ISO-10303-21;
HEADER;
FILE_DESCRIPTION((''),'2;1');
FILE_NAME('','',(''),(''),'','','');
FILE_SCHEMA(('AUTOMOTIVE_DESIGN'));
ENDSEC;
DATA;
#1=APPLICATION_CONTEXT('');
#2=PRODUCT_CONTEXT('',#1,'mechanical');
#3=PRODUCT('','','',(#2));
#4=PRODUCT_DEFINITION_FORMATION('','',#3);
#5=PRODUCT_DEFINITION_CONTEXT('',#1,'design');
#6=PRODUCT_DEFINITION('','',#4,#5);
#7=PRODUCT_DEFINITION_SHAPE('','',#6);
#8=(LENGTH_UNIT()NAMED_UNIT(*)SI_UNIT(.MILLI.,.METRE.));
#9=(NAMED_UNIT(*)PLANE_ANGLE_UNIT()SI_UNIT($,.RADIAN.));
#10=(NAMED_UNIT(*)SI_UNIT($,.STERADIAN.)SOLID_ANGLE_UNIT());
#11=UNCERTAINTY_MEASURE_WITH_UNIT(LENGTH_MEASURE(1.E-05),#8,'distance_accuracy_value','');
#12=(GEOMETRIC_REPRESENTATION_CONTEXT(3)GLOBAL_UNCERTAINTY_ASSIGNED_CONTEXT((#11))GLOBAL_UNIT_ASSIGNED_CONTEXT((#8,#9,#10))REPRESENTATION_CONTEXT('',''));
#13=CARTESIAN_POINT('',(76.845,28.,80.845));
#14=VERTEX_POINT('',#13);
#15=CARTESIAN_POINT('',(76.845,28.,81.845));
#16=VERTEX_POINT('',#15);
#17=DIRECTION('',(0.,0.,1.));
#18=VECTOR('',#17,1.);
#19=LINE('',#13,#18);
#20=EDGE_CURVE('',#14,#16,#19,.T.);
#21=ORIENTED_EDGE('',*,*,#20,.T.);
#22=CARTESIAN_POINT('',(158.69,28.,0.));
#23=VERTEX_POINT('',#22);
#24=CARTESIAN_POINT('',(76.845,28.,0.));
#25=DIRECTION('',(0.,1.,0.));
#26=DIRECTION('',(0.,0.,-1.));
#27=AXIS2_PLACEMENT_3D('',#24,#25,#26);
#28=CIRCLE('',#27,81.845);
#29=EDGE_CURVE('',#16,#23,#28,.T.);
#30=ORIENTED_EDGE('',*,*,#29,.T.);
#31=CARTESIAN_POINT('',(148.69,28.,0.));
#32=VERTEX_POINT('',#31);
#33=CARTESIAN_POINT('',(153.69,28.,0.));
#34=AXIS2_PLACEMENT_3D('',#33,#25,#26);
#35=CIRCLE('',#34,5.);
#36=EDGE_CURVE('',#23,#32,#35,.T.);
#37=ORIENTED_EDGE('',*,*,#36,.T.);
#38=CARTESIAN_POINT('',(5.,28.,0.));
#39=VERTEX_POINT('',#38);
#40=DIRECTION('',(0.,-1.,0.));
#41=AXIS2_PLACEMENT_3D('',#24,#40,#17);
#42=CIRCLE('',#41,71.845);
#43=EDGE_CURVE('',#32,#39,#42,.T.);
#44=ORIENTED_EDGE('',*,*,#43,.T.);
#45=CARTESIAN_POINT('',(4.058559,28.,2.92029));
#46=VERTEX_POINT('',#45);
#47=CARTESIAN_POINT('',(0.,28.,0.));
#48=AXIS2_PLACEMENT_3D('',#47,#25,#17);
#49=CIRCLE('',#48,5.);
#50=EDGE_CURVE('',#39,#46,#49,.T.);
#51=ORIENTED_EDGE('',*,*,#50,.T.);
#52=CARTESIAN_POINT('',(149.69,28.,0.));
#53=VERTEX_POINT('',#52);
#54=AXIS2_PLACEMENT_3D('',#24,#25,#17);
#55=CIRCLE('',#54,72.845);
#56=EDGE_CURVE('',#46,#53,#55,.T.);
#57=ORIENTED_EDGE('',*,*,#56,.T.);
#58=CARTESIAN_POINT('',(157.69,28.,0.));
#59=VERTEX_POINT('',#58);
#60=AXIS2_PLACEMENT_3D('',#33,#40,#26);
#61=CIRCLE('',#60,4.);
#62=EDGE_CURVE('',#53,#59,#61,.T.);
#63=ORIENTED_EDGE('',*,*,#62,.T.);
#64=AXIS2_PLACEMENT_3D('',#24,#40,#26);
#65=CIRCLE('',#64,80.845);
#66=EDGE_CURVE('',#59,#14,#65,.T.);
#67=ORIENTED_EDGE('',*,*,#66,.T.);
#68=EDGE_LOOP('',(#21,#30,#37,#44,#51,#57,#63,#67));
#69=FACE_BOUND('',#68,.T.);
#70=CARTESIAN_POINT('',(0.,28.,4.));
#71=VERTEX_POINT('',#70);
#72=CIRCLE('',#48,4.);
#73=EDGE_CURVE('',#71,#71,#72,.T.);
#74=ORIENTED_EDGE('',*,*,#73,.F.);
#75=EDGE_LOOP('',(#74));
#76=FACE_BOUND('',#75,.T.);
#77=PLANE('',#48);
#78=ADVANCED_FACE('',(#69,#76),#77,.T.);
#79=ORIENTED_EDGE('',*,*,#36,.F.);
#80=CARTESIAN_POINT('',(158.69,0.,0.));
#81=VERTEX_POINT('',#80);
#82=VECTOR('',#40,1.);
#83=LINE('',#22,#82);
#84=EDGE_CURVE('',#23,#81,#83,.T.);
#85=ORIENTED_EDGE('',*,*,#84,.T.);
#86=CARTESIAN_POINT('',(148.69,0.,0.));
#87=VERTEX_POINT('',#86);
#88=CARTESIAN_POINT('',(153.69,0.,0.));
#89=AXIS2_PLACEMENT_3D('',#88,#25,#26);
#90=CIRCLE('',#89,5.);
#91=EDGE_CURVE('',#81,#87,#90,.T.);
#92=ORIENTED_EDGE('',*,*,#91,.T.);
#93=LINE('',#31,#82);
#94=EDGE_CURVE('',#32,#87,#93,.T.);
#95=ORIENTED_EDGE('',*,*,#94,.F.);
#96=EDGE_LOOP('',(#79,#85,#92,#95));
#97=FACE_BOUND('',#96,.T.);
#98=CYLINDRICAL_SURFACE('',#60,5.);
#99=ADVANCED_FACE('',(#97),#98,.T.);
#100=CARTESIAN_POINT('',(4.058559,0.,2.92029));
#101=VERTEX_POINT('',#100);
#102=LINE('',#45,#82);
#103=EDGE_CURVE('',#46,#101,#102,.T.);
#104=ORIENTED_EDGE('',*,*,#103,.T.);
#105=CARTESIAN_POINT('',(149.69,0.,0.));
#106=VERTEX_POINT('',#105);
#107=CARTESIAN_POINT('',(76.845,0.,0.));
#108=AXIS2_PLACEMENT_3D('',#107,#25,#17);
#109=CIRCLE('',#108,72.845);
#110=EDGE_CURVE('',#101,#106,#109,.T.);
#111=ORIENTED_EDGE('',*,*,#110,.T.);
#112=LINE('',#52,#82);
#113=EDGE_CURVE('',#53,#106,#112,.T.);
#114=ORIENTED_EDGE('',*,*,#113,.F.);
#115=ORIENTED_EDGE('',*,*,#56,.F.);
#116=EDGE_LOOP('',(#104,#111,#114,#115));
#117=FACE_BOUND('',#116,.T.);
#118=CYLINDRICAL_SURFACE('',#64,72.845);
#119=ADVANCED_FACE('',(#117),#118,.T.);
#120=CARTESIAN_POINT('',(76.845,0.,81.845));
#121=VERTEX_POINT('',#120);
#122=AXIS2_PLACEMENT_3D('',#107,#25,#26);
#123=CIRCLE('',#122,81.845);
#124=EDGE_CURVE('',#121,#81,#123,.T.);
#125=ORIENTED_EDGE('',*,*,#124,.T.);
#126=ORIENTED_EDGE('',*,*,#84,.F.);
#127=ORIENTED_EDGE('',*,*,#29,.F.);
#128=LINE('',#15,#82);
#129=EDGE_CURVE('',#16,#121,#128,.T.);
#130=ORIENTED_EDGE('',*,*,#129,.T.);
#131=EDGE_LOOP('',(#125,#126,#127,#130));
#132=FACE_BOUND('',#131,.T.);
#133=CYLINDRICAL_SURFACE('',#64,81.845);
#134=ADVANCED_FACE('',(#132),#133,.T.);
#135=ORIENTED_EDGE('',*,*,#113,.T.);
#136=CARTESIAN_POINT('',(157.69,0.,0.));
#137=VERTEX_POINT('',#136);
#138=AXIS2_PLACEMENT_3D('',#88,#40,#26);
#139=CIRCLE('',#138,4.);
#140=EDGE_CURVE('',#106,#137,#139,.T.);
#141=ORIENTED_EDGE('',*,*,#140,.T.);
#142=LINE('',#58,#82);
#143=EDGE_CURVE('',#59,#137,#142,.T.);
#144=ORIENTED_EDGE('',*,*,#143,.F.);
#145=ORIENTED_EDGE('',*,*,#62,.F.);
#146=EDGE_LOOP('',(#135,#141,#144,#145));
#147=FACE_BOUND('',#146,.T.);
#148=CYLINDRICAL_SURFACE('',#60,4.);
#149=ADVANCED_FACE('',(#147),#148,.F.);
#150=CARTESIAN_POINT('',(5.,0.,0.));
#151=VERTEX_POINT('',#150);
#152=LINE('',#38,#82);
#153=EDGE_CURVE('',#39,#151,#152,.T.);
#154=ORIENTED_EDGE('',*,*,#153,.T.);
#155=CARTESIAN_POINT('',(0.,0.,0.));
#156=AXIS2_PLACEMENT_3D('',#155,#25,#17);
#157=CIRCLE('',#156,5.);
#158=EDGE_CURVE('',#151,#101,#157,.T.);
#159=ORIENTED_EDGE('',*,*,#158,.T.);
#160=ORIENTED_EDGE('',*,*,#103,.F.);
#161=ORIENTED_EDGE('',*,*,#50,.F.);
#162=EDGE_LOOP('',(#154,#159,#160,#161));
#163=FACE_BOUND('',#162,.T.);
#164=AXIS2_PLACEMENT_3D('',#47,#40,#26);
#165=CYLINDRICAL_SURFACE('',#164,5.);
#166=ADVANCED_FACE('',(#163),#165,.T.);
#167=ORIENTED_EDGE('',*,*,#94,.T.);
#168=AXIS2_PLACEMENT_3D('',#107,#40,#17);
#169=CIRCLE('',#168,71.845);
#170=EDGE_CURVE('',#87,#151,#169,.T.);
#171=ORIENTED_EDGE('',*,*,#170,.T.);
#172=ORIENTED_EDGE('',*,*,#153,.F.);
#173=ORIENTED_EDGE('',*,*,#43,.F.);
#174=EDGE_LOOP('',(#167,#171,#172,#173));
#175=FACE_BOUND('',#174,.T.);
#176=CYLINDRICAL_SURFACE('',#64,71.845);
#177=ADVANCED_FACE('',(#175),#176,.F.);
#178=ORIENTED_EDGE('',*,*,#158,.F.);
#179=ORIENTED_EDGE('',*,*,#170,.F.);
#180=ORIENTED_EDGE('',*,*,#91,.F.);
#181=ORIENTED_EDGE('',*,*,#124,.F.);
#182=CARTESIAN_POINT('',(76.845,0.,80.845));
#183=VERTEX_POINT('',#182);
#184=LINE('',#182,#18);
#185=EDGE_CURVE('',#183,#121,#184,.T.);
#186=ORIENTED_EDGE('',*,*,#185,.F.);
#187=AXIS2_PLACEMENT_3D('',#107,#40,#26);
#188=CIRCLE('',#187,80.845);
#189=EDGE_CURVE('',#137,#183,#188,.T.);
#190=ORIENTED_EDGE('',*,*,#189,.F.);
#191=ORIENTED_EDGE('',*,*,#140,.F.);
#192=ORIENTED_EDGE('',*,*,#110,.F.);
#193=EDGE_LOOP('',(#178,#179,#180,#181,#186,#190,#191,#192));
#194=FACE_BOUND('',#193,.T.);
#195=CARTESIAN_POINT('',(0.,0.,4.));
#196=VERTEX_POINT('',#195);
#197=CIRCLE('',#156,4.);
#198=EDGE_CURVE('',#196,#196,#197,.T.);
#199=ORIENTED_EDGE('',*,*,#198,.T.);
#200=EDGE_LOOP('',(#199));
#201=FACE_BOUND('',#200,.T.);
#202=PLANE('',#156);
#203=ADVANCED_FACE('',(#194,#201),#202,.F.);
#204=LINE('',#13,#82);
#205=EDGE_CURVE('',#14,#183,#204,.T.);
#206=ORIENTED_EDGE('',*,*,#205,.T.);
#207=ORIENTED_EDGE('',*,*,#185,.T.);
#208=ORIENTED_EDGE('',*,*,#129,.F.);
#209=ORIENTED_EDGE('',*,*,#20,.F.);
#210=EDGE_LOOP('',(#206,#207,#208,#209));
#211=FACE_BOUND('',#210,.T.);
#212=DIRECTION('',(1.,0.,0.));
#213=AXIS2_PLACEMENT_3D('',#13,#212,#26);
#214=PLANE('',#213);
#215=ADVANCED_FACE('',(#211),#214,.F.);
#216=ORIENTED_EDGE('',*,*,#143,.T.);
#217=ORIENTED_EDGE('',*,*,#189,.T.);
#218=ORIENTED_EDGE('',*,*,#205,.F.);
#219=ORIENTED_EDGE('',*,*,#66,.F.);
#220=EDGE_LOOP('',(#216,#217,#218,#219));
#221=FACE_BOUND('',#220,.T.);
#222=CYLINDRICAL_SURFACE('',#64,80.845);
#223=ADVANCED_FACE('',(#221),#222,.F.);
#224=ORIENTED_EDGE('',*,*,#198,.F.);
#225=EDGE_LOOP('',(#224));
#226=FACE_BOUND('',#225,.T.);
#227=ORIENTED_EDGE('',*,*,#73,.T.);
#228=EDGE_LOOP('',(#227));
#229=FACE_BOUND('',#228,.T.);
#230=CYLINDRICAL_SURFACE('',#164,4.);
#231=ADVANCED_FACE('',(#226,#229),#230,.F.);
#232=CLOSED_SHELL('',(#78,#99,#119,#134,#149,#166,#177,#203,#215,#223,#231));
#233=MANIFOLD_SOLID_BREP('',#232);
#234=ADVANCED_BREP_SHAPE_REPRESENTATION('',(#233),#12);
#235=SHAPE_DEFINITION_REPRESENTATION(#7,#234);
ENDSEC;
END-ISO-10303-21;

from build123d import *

# Parameters (mm, degrees)
SKETCH1_R           = 4
BOSS_EXTRUDE1_DEPTH = 28


with BuildPart() as part:
    # Sketch1 → Boss-Extrude1 (new body)
    with BuildSketch(Plane(origin=(0, 0, 0), x_dir=(1, 0, 0), z_dir=(0, 1, 0))):
        with BuildLine():
            Line((76.845, -80.845), (76.845, -81.845))
            ThreePointArc((76.845, -81.845), (134.718154506, -57.873154506), (158.69, 0))
            ThreePointArc((158.69, 0), (153.69, 5), (148.69, 0))
            ThreePointArc((148.69, 0), (76.845, -71.845), (5, 0))
            ThreePointArc((5, 0), (-4.758823236, 1.534145171), (4.058559438, -2.920290275))
            ThreePointArc((4.058559438, -2.920290275), (78.305438675, -72.830358669), (149.69, 0))
            ThreePointArc((149.69, 0), (153.69, 4), (157.69, 0))
            ThreePointArc((157.69, 0), (134.011047725, -57.166047725), (76.845, -80.845))
        make_face()
        with Locations(Location((0, 0, 0), (0, 0, 270))):
            Circle(SKETCH1_R, mode=Mode.SUBTRACT)
    extrude(amount=BOSS_EXTRUDE1_DEPTH)


solid = part.part
